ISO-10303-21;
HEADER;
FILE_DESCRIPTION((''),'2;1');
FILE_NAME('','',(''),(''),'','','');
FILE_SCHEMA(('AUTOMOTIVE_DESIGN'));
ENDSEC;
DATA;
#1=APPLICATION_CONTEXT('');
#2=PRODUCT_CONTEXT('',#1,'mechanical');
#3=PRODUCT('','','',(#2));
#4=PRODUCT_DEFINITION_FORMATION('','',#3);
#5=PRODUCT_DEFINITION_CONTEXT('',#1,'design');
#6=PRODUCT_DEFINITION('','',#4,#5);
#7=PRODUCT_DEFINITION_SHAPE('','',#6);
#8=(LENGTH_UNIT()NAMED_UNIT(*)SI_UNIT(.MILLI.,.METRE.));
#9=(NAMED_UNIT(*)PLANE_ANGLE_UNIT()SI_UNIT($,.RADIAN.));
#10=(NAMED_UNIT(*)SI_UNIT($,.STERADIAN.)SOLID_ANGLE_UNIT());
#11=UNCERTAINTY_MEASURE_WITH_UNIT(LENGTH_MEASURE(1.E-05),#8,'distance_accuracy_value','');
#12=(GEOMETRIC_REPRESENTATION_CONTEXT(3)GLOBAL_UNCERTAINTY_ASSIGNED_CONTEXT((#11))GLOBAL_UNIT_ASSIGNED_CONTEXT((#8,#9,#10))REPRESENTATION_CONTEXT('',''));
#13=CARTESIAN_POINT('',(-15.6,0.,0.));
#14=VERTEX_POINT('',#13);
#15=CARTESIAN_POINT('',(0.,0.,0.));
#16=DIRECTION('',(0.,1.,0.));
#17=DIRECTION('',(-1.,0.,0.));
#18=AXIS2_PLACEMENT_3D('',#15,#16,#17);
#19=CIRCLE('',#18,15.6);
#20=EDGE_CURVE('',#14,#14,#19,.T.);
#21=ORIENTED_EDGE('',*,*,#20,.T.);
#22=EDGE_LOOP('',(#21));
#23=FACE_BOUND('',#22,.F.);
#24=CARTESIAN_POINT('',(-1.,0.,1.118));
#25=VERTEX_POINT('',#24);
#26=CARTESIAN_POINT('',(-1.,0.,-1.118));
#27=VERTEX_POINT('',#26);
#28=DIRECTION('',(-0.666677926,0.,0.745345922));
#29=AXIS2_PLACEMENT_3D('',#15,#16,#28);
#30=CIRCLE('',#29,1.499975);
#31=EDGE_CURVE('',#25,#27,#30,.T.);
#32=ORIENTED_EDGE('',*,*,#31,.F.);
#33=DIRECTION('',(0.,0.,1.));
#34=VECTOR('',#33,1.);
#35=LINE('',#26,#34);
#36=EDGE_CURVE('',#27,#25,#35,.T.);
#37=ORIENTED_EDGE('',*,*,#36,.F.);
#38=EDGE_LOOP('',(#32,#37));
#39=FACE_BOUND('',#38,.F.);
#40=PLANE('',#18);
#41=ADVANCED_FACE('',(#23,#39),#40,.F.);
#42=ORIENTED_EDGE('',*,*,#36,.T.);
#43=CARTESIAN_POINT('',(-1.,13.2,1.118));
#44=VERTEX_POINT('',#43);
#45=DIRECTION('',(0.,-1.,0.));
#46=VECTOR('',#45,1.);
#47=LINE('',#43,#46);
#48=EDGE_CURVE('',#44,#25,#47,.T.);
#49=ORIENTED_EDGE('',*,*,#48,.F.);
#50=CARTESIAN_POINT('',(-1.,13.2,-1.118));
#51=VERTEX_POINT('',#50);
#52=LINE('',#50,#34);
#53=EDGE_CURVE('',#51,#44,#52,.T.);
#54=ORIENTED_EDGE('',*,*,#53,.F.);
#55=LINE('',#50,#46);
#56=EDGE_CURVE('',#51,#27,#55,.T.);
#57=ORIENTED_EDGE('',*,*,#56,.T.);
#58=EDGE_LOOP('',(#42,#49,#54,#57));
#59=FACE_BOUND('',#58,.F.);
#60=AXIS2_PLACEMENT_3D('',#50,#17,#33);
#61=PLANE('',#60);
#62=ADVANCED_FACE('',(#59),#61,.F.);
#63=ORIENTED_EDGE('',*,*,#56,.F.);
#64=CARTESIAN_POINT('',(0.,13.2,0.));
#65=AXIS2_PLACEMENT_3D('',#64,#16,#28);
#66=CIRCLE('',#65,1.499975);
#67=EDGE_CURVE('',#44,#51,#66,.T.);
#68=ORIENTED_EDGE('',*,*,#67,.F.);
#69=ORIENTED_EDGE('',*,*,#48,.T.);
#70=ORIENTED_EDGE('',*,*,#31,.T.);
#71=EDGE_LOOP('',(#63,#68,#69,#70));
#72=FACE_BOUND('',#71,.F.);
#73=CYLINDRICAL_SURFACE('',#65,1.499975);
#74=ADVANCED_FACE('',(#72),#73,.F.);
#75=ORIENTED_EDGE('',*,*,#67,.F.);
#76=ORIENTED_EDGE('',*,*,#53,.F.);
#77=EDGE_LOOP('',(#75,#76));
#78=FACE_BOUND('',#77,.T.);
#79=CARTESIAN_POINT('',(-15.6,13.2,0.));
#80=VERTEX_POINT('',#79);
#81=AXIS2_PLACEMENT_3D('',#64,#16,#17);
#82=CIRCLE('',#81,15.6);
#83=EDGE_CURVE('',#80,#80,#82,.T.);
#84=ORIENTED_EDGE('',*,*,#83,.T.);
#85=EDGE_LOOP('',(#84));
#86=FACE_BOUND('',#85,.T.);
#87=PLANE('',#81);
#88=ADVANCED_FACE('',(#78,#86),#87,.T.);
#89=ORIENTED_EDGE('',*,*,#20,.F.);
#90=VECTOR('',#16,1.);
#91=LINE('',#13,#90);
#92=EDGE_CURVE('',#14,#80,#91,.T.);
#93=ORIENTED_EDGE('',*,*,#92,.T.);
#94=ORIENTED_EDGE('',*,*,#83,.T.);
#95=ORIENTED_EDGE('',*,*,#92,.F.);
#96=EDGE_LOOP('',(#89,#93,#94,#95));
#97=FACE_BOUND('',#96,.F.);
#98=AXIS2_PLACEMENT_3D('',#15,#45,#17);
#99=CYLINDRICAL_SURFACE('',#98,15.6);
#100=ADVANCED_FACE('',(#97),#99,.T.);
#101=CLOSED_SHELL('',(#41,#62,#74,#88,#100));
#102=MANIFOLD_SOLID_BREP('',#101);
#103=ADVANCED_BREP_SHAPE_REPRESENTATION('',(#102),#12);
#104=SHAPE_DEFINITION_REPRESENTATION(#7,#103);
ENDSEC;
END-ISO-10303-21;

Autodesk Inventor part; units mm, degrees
ref_plane "YZ Plane" through (0, 0, 0) normal (1, 0, 0) x (0, 1, 0)
ref_plane "XZ Plane" through (0, 0, 0) normal (0, 1, 0) x (-1, 0, 0)
ref_plane "XY Plane" through (0, 0, 0) normal (0, 0, 1) x (1, 0, 0)
sketch "Szkic1" plane through (0, 0, 0) normal (0, 1, 0) x (-1, 0, 0)
  circle A0 centre (0, 0) radius 15.6
  dimension "d0" = 31.2
extrude "Wyciągnięcie proste1" add sketch "Szkic1" along normal blind 13.2
sketch "Szkic3" plane through (0, 13.2, 0) normal (0, 1, 0) x (1, 0, 0)
  arc A0 (-1, -1.118) -> (-1, 1.118) centre (0, 0) ccw
  line L0 (-1, 1.118) -> (-1, -1.118)
extrude "Wyciągnięcie proste2" cut sketch "Szkic3" against normal blind 13.2
properties part number "Kolo_Pololu1127"
